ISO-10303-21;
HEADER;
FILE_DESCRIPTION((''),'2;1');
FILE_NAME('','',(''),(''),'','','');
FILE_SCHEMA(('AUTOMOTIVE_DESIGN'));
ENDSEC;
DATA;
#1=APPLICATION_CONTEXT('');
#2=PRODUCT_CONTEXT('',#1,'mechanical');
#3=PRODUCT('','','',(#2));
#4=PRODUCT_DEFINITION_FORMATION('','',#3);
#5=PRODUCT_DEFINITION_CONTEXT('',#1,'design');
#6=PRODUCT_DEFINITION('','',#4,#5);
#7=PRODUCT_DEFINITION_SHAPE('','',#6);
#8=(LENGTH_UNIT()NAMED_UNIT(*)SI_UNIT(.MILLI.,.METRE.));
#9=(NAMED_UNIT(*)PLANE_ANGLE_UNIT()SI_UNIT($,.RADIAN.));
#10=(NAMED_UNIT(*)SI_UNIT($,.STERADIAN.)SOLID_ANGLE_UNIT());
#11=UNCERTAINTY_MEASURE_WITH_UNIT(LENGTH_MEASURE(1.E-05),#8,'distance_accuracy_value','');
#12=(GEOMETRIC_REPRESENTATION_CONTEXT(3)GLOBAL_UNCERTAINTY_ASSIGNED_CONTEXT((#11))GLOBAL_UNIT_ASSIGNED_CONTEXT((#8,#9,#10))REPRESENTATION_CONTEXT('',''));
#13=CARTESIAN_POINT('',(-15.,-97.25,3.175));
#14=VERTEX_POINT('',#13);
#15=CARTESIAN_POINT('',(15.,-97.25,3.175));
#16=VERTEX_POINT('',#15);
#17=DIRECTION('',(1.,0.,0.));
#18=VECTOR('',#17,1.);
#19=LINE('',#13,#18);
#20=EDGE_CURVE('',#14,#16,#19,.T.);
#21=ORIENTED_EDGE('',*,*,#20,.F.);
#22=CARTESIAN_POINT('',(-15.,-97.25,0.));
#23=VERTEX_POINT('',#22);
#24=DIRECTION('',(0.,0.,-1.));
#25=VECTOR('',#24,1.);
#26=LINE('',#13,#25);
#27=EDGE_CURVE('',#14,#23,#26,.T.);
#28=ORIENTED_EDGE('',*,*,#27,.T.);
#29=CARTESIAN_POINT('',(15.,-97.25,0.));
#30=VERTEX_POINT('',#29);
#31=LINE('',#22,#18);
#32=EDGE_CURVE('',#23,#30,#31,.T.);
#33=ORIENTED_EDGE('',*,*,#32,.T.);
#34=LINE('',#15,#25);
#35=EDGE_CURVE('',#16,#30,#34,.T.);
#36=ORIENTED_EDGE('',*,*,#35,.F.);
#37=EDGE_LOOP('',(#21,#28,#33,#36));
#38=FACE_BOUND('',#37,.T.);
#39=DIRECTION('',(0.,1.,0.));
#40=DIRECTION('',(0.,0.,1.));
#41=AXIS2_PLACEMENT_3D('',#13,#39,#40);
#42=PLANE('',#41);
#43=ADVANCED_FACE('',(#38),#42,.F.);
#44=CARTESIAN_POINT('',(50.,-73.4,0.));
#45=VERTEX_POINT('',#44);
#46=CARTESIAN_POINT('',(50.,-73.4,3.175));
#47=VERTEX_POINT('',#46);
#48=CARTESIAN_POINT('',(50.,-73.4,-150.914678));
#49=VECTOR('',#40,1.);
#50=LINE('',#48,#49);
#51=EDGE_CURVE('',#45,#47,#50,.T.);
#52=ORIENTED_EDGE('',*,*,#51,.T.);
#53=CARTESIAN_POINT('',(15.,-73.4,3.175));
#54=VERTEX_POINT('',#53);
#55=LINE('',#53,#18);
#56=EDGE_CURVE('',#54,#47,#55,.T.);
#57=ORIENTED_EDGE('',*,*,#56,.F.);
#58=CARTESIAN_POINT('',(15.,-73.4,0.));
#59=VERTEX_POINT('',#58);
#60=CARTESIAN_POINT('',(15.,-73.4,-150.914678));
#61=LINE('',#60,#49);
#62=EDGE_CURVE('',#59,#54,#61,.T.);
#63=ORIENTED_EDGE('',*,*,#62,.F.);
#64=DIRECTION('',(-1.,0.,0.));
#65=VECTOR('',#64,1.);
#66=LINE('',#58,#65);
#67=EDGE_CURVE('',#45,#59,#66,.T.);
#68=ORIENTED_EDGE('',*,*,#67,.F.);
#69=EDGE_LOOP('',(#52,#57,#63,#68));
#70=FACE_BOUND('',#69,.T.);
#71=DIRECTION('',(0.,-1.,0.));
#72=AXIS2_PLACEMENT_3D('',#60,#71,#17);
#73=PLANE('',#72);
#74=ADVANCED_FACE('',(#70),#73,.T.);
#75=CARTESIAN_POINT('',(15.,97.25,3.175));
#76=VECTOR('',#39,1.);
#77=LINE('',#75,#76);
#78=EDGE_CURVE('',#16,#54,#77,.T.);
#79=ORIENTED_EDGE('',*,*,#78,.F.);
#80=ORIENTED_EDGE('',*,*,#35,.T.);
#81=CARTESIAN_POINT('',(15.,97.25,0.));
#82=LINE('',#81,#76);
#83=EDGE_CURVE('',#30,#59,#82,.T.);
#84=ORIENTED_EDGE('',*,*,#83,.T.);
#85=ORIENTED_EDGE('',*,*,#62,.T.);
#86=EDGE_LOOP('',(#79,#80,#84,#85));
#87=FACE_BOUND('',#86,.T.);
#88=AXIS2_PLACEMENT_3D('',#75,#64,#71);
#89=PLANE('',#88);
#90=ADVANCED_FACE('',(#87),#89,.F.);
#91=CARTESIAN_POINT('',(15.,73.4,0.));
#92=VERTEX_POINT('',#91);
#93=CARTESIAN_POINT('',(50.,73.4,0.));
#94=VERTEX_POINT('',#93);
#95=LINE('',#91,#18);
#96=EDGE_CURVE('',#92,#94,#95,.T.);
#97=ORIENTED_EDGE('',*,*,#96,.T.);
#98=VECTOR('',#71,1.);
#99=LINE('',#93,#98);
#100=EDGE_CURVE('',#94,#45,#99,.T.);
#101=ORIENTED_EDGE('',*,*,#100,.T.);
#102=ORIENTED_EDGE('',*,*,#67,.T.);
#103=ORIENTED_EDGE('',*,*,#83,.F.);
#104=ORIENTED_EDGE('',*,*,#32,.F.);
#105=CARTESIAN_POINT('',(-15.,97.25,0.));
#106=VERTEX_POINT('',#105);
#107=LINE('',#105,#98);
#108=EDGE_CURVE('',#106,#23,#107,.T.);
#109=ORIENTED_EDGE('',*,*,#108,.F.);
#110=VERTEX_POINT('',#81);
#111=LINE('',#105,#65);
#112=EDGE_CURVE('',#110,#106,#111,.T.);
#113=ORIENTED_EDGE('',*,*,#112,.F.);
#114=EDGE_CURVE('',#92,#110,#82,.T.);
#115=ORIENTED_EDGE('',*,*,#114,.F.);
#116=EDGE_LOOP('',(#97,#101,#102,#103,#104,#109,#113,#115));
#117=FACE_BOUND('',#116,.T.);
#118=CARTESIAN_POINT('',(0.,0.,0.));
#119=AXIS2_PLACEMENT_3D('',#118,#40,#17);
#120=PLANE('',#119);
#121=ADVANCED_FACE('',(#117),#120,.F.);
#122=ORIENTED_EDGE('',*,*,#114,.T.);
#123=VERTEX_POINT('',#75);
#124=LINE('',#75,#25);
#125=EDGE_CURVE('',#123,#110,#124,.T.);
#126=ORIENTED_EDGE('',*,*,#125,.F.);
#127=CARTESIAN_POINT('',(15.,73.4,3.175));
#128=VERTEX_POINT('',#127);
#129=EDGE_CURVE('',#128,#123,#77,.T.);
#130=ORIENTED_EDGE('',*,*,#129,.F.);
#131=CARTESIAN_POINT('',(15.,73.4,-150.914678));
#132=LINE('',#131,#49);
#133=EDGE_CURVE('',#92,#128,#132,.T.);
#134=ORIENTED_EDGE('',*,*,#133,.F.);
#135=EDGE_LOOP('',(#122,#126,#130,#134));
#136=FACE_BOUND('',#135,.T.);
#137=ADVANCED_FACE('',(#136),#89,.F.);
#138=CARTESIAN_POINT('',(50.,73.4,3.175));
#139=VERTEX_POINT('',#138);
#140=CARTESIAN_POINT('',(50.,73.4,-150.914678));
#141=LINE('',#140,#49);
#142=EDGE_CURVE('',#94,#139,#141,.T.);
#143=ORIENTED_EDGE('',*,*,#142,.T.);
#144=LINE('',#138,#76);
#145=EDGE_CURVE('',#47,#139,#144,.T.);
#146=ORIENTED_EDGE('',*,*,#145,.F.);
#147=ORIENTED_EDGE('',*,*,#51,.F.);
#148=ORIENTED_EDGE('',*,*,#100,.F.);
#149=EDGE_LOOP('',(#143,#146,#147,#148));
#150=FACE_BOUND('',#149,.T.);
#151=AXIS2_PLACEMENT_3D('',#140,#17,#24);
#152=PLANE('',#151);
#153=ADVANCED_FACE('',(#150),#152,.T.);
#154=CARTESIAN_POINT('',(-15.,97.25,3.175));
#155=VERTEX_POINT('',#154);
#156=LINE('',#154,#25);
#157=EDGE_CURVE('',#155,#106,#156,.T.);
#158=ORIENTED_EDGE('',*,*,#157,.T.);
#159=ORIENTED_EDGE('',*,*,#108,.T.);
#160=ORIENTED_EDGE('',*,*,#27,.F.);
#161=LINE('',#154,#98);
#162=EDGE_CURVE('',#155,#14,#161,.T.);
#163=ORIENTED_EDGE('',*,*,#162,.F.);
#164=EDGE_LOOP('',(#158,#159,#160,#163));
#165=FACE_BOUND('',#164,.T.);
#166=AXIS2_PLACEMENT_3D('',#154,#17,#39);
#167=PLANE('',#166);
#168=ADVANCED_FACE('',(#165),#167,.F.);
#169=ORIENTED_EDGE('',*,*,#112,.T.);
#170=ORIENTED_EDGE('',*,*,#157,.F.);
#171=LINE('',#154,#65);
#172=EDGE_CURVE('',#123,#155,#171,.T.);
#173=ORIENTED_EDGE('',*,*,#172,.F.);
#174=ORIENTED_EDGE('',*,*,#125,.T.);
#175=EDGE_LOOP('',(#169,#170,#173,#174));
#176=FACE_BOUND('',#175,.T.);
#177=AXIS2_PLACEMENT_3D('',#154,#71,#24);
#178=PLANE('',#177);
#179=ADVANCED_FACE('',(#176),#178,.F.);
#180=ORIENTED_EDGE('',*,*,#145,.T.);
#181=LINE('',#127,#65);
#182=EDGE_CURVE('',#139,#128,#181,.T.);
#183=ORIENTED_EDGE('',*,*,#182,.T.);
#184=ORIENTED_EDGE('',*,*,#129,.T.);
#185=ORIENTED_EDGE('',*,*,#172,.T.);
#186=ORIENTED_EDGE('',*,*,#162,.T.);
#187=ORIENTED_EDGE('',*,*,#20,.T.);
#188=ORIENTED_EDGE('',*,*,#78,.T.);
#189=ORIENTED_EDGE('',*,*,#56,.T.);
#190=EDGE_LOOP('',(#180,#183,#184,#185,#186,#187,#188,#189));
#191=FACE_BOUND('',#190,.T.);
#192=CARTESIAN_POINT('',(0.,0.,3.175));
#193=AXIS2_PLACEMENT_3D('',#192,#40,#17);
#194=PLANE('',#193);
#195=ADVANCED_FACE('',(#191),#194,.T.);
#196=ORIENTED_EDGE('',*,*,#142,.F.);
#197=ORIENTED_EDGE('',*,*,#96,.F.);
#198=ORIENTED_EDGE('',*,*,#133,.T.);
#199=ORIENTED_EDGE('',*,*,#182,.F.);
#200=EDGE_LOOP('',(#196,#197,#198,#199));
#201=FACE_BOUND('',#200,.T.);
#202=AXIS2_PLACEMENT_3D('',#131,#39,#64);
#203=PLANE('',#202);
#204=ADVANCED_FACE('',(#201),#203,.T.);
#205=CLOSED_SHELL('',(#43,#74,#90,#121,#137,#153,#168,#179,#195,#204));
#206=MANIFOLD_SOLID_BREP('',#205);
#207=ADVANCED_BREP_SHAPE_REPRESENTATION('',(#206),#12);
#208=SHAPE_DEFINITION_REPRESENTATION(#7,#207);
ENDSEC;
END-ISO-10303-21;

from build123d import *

# Parameters (mm, degrees)
SKETCH1_W           = 30
SKETCH1_H           = 194.5
BOSS_EXTRUDE1_DEPTH = 3.175
SKETCH2_W           = 35
SKETCH2_H           = 146.8
BOSS_EXTRUDE2_DEPTH = 3.175


with BuildPart() as part:
    # Sketch1 → Boss-Extrude1 (new body)
    with BuildSketch(Plane.XY):
        Rectangle(SKETCH1_W, SKETCH1_H)
    extrude(amount=BOSS_EXTRUDE1_DEPTH)

    # Sketch2 → Boss-Extrude2 (add)
    with BuildSketch(Plane.XY.offset(3.175)):
        with Locations((32.5, 0)):
            Rectangle(SKETCH2_W, SKETCH2_H)
    extrude(amount=-BOSS_EXTRUDE2_DEPTH)


solid = part.part
